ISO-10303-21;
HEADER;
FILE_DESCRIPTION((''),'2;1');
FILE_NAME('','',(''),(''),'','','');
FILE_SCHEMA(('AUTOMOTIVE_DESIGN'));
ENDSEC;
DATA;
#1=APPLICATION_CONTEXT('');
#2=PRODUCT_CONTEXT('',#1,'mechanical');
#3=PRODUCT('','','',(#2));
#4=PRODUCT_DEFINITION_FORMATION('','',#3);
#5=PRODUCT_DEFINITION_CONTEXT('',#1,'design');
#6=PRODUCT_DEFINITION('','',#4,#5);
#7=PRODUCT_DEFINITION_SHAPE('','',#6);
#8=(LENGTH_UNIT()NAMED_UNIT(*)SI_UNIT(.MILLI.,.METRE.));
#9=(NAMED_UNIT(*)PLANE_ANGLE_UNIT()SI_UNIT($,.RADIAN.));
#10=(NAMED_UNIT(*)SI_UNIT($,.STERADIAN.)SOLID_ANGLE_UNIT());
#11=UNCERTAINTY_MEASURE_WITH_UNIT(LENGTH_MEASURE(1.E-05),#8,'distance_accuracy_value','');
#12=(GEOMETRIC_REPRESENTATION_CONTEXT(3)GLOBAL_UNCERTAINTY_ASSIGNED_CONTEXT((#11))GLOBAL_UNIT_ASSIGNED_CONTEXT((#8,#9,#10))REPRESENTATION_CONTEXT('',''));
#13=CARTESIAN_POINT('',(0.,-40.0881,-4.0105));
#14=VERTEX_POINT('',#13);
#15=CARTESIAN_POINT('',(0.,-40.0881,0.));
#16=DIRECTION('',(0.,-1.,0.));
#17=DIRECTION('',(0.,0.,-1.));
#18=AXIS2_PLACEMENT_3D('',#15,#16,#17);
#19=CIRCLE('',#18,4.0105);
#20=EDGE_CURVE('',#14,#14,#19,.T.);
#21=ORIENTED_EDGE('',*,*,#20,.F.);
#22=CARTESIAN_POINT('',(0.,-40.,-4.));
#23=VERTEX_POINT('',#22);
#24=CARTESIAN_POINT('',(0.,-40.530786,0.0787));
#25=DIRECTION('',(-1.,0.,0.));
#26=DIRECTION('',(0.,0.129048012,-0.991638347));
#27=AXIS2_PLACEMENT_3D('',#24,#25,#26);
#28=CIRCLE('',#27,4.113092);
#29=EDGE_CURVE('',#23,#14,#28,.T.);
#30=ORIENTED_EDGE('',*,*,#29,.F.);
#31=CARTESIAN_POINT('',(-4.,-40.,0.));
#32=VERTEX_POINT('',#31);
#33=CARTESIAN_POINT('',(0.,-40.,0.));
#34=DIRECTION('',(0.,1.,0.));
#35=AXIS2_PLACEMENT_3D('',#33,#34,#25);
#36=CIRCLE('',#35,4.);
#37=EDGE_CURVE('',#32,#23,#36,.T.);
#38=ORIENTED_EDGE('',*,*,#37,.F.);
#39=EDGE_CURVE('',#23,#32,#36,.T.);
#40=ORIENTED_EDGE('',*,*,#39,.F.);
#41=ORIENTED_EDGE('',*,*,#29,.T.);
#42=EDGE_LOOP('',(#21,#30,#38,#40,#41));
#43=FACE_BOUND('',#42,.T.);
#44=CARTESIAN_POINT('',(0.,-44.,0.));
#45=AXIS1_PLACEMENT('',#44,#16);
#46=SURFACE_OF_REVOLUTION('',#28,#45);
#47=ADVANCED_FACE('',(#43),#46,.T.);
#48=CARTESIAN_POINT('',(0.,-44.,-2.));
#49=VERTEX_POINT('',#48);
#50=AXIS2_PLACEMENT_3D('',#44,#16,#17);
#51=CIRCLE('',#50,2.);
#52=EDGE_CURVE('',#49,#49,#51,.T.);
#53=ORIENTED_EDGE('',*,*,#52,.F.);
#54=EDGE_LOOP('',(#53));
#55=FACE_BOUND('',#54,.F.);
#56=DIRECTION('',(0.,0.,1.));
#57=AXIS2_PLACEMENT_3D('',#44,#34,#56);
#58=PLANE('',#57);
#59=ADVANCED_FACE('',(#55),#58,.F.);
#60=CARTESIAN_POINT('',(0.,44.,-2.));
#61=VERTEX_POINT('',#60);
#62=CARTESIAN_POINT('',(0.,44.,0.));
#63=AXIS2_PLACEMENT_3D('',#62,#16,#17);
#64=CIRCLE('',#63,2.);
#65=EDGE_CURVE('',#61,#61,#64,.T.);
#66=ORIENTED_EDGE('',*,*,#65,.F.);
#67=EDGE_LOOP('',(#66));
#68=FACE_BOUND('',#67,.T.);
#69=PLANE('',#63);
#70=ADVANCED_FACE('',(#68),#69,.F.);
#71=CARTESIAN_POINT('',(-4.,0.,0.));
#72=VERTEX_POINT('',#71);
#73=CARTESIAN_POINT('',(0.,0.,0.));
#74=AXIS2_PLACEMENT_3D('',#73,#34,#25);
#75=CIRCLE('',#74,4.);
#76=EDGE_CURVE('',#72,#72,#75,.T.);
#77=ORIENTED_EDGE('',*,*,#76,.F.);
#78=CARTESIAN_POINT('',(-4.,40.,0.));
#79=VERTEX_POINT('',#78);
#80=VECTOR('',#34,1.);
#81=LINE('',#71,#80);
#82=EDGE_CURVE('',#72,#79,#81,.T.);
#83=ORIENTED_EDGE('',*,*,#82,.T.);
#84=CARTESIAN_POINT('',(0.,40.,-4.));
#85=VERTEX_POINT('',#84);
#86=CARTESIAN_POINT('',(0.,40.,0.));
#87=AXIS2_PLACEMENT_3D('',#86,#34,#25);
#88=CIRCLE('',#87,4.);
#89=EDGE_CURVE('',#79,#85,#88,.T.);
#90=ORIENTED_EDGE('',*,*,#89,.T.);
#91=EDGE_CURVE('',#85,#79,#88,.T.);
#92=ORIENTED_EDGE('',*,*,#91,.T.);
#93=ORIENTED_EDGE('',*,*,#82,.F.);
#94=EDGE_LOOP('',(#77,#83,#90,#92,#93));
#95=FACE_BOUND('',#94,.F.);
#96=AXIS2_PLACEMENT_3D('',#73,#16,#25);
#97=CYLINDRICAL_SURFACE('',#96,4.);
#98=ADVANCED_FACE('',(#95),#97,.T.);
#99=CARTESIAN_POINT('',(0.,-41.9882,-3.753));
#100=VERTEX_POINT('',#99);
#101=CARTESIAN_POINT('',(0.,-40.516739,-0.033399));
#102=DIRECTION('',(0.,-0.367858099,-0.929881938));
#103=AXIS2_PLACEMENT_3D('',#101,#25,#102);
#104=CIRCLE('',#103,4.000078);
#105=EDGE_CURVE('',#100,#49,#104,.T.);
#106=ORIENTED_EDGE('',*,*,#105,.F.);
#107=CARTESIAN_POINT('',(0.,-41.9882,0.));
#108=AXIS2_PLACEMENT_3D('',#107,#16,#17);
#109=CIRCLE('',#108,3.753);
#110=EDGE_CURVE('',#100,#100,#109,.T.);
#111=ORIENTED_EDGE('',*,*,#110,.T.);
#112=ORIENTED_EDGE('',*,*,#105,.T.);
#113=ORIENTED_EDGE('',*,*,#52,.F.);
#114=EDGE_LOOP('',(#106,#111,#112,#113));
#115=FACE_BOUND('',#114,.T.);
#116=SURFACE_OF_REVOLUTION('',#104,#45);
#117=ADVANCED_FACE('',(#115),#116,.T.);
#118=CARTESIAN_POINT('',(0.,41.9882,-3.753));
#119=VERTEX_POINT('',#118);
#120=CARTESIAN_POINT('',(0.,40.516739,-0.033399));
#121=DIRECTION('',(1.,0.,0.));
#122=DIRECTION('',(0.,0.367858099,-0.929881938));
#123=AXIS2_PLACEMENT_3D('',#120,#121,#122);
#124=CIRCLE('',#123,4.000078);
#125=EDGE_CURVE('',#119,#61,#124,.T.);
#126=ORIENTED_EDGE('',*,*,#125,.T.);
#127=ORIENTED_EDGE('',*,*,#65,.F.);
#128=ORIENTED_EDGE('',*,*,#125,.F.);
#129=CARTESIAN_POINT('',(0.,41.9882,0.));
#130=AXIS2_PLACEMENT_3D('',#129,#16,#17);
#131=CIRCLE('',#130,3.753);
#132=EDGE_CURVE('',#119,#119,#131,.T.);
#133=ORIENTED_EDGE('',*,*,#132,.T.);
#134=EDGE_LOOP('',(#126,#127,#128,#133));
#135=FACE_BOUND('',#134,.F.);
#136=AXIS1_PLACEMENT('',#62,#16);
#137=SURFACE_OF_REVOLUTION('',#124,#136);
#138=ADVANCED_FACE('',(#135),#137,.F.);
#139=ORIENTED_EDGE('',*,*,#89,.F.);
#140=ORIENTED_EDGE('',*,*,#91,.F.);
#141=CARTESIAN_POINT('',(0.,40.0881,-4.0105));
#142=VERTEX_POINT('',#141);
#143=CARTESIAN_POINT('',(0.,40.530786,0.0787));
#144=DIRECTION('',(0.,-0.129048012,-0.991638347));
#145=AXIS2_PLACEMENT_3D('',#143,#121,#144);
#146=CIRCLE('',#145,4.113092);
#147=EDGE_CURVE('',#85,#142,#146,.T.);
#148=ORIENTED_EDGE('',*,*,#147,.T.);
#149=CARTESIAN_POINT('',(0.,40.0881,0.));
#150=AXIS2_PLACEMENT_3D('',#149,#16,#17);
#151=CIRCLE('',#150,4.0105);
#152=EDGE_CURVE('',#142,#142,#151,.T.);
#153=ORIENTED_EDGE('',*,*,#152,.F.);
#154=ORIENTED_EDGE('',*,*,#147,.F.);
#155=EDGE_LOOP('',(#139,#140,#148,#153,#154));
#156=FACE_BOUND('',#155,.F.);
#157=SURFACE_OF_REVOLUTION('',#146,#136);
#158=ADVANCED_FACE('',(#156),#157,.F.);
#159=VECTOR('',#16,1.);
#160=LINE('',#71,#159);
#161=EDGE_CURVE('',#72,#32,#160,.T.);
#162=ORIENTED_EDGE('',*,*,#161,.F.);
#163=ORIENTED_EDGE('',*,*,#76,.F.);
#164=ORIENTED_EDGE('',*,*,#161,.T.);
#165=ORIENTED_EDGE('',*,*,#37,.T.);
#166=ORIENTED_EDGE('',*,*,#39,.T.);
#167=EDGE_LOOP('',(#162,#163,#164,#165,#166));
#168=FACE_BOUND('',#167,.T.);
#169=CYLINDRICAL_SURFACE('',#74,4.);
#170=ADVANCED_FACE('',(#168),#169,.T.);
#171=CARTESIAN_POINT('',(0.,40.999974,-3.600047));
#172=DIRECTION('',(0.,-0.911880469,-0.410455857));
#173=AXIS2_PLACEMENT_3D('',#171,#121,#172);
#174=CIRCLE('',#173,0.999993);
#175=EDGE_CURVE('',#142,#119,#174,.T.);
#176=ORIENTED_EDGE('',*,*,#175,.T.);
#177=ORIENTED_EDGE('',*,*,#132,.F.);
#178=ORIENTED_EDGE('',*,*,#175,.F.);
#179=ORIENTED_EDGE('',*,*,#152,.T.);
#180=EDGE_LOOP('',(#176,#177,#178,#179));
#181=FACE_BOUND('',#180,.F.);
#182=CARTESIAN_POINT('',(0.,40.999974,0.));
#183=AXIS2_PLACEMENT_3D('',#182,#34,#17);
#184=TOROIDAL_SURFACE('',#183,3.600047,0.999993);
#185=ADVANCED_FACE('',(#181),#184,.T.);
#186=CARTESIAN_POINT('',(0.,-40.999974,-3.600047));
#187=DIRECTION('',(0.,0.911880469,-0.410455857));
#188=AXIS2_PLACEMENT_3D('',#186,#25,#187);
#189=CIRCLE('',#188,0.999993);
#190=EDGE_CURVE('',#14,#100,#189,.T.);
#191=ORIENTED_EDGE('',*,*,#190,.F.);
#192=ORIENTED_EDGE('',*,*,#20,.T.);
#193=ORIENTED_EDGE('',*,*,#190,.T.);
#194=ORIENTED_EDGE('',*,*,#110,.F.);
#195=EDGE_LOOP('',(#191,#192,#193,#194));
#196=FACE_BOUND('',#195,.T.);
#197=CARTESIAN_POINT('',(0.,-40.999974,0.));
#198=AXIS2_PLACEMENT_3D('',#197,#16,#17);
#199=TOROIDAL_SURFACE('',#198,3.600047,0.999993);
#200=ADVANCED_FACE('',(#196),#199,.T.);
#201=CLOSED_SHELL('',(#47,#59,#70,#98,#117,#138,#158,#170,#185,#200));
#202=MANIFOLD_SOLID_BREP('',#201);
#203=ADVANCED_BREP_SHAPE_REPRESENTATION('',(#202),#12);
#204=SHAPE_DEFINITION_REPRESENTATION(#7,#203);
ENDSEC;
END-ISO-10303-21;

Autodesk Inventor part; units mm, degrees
ref_plane "YZ Plane" through (0, 0, 0) normal (1, 0, 0) x (0, 1, 0)
ref_plane "XZ Plane" through (0, 0, 0) normal (0, 1, 0) x (-1, 0, 0)
ref_plane "XY Plane" through (0, 0, 0) normal (0, 0, 1) x (1, 0, 0)
sketch "Boceto1" plane through (0, 0, 0) normal (0, 1, 0) x (-1, 0, 0)
  circle A0 centre (0, 0) radius 4
  dimension "d0" = 8
extrude "Extrusión1" add sketch "Boceto1" along normal mid plane 80
sketch "Boceto2" plane through (0, 0, 0) normal (1, 0, 0) x (0, 1, 0)
  line L0 (44, 0) -> (44, -2)
  line L1 (44, 0) -> (40, 0)
  line L2 (40, -4) -> (40, 4) projected
  line L3 (40, 0) -> (40, -3.6)
  arc A0 (40.0881, -4.0105) -> (41.9882, -3.753) centre (41, -3.6) ccw
  arc A1 (40, -4) -> (40.0881, -4.0105) centre (40.5168, -0.0335) ccw
  arc A2 (41.9882, -3.753) -> (44, -2) centre (40.5168, -0.0335) ccw
  point P0 (0, 0)
  dimension "d4" = 4
  dimension "d6" = 2
  dimension "d8" = 0.4
revolve "Revolución1" add sketch "Boceto2" angle 360 about axis through (0, 44, 0) along (0, -1, 0)
mirror "Simetría1" about plane through (0, 0, 0) normal (0, 1, 0) of "Revolución1"
properties part number "Eje-Bisagra" material "Acero inoxidable"
